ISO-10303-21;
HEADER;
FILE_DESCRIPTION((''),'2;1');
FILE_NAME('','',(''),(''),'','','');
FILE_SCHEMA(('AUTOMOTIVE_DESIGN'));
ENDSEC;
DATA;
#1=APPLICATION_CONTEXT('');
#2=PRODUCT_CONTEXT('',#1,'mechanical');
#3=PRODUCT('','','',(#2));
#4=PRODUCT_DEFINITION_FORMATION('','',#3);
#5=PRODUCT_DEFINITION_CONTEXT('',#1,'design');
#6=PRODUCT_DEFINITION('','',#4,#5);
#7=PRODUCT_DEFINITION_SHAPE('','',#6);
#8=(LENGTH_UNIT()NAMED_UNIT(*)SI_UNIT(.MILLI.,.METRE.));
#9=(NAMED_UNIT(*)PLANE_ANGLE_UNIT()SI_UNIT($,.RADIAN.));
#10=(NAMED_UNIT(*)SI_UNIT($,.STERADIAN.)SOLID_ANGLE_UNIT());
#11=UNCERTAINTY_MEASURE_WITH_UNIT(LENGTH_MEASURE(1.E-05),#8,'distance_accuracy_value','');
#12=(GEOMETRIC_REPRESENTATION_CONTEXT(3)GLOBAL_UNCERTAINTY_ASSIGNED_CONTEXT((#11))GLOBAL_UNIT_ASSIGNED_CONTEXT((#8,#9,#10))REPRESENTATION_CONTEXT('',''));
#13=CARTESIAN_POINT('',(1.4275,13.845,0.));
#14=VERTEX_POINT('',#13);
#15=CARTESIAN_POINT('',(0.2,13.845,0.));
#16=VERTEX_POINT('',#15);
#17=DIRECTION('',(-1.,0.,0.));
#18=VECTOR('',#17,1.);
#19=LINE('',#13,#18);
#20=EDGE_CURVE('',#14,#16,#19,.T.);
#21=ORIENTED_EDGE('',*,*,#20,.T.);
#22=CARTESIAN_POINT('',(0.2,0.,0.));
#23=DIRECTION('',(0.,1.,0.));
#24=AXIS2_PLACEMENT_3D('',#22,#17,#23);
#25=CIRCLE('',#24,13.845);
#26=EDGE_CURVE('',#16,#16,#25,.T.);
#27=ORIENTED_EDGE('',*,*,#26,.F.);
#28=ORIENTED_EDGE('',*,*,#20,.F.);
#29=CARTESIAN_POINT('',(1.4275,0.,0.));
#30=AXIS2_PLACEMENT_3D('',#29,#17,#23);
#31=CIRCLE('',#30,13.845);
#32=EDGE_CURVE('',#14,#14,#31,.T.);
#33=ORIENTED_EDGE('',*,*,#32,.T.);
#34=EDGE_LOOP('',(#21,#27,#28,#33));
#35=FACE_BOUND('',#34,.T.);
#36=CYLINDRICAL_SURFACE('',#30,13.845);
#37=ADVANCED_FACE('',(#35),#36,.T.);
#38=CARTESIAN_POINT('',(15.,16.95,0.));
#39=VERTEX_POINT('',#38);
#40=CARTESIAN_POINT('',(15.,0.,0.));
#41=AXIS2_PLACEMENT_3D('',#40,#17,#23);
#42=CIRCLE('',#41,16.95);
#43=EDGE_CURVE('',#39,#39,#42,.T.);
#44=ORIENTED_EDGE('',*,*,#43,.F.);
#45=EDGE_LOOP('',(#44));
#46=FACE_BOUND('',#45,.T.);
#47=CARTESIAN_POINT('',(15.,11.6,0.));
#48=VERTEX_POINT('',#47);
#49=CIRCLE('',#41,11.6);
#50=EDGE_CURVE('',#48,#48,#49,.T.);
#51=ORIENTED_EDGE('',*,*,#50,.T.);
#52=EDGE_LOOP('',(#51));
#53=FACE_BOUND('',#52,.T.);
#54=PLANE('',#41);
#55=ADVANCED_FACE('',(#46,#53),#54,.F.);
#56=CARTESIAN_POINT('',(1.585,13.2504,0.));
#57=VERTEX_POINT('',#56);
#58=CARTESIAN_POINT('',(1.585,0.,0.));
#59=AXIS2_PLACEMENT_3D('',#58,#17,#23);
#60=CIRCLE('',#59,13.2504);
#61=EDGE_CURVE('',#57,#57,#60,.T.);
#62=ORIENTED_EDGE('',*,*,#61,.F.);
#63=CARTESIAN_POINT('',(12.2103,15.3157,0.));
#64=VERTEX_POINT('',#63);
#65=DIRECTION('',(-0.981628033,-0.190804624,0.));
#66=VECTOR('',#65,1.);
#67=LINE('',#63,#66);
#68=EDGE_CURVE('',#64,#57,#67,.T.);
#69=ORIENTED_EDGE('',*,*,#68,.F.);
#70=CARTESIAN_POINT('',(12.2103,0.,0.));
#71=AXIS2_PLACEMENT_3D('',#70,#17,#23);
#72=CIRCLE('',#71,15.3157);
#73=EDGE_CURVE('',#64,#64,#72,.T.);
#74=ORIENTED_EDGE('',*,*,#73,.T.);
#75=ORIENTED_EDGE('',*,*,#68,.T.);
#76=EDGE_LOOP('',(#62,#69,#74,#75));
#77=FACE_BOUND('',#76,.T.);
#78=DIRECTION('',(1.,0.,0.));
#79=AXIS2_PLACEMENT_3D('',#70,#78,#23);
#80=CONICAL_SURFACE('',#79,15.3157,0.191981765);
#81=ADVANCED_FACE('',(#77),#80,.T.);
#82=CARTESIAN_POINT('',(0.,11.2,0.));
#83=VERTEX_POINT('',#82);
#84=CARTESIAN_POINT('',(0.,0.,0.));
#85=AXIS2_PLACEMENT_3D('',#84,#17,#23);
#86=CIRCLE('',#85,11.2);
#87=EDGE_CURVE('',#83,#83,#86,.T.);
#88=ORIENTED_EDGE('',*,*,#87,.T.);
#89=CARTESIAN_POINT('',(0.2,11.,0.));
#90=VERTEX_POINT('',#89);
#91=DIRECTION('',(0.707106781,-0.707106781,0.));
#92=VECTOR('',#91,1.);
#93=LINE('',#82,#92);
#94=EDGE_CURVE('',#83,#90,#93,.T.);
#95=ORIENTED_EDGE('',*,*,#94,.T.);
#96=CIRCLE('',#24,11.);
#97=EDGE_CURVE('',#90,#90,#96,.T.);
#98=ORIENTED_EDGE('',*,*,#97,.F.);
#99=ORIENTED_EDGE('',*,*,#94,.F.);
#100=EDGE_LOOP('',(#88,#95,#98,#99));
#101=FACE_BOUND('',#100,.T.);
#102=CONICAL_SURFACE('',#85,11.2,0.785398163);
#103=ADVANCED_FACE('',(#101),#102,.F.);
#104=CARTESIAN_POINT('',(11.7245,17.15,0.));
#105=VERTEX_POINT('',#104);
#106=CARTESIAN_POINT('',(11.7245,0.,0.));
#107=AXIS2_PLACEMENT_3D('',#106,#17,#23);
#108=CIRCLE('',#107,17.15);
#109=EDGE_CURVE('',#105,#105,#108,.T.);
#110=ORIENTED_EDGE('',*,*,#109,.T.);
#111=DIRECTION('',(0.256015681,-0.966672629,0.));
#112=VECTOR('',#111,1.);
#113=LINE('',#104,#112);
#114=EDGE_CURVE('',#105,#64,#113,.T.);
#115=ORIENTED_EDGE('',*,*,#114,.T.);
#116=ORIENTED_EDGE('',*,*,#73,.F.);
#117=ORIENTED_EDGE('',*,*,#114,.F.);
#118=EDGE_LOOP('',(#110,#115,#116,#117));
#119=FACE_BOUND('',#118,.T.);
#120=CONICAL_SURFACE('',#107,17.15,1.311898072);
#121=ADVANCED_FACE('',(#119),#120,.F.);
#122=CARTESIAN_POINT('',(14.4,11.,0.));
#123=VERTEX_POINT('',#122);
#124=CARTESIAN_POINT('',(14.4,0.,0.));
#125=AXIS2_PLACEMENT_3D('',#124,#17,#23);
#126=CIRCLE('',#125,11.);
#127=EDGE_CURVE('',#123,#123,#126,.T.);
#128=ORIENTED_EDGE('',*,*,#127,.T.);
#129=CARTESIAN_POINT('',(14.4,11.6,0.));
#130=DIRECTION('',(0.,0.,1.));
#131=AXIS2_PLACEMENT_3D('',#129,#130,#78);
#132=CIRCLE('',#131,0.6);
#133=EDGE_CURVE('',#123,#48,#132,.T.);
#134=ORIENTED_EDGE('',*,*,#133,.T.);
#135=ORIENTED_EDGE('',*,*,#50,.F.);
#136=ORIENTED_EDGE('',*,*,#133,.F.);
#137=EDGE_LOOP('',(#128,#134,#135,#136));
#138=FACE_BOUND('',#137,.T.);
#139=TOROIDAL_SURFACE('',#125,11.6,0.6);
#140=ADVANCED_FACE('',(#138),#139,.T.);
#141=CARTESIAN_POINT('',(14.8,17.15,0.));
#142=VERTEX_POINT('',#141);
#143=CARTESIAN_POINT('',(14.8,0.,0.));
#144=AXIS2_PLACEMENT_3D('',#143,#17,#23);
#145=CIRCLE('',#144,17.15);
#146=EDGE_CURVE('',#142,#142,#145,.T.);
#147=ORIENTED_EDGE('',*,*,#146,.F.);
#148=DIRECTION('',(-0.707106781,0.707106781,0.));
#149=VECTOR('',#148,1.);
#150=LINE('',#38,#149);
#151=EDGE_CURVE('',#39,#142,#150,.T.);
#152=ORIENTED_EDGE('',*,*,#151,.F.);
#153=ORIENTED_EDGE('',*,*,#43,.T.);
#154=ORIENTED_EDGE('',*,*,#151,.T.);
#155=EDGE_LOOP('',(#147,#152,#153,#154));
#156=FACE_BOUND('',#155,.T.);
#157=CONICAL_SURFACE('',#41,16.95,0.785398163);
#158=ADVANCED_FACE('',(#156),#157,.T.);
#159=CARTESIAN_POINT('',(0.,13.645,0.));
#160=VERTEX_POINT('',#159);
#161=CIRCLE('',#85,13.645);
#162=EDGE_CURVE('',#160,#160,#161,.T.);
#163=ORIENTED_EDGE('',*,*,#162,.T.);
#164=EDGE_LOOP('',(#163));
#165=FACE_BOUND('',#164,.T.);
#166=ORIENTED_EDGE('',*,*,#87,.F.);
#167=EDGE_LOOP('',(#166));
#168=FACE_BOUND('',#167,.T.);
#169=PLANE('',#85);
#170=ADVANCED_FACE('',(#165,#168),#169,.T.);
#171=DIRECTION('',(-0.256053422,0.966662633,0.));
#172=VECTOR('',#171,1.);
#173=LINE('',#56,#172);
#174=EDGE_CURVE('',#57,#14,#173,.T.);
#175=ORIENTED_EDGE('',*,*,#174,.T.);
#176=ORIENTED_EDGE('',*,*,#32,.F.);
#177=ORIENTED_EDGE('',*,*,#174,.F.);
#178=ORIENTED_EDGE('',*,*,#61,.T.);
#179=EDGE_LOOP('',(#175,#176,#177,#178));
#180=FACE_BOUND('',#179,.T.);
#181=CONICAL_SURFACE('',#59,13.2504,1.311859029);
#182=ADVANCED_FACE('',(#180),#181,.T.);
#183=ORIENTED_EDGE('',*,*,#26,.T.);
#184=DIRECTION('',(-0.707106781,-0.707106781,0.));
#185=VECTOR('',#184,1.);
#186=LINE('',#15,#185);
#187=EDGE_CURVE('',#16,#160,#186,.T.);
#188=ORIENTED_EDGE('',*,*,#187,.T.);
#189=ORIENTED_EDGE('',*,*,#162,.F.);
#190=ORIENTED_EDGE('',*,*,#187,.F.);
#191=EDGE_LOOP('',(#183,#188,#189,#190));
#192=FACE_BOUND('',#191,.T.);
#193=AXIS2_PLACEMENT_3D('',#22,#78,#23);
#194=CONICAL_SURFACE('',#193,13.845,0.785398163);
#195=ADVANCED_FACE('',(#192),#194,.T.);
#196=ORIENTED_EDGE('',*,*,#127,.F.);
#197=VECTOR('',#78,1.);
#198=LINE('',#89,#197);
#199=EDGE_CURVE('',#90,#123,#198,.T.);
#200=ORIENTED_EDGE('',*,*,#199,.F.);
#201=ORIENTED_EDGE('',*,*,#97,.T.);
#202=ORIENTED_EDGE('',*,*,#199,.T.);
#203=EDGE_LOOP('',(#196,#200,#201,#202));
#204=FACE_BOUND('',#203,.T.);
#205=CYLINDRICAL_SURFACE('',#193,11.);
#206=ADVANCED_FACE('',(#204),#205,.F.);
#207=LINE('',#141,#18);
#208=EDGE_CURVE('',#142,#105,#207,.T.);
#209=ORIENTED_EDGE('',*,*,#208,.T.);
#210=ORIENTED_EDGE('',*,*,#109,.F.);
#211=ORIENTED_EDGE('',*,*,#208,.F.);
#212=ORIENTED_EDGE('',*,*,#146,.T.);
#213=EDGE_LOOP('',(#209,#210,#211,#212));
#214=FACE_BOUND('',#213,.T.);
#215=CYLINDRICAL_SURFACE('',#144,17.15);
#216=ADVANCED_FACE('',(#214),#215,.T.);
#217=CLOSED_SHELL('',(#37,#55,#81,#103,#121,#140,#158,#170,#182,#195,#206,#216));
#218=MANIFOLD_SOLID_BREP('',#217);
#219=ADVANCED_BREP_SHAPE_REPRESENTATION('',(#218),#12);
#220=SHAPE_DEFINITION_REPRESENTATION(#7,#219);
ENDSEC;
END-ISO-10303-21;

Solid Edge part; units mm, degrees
sketch "Sketch1" plane through (0, 0, 0) normal (0, 0, 1) x (1, 0, 0)
  line L0 (0, 11.2) -> (0.2, 11)
  line L1 (0.2, 11) -> (14.4, 11)
  arc A0 (14.4, 11) -> (15, 11.6) centre (14.4, 11.6) ccw
  line L2 (15, 11.6) -> (15, 16.95)
  line L3 (15, 16.95) -> (14.8, 17.15)
  line L4 (14.8, 17.15) -> (11.7245, 17.15)
  line L5 (11.7245, 17.15) -> (12.2103, 15.3157)
  line L6 (12.2103, 15.3157) -> (1.585, 13.2504)
  line L7 (1.585, 13.2504) -> (1.4275, 13.845)
  line L8 (1.4275, 13.845) -> (0.2, 13.845)
  line L9 (0.2, 13.845) -> (0, 13.645)
  line L10 (0, 13.645) -> (0, 11.2)
revolve "RevolvedProtrusion1" add sketch "Sketch1" angle 360 about axis through (15, 0, 0) along (-1, 0, 0)
properties part number "320/22 X_ir"
